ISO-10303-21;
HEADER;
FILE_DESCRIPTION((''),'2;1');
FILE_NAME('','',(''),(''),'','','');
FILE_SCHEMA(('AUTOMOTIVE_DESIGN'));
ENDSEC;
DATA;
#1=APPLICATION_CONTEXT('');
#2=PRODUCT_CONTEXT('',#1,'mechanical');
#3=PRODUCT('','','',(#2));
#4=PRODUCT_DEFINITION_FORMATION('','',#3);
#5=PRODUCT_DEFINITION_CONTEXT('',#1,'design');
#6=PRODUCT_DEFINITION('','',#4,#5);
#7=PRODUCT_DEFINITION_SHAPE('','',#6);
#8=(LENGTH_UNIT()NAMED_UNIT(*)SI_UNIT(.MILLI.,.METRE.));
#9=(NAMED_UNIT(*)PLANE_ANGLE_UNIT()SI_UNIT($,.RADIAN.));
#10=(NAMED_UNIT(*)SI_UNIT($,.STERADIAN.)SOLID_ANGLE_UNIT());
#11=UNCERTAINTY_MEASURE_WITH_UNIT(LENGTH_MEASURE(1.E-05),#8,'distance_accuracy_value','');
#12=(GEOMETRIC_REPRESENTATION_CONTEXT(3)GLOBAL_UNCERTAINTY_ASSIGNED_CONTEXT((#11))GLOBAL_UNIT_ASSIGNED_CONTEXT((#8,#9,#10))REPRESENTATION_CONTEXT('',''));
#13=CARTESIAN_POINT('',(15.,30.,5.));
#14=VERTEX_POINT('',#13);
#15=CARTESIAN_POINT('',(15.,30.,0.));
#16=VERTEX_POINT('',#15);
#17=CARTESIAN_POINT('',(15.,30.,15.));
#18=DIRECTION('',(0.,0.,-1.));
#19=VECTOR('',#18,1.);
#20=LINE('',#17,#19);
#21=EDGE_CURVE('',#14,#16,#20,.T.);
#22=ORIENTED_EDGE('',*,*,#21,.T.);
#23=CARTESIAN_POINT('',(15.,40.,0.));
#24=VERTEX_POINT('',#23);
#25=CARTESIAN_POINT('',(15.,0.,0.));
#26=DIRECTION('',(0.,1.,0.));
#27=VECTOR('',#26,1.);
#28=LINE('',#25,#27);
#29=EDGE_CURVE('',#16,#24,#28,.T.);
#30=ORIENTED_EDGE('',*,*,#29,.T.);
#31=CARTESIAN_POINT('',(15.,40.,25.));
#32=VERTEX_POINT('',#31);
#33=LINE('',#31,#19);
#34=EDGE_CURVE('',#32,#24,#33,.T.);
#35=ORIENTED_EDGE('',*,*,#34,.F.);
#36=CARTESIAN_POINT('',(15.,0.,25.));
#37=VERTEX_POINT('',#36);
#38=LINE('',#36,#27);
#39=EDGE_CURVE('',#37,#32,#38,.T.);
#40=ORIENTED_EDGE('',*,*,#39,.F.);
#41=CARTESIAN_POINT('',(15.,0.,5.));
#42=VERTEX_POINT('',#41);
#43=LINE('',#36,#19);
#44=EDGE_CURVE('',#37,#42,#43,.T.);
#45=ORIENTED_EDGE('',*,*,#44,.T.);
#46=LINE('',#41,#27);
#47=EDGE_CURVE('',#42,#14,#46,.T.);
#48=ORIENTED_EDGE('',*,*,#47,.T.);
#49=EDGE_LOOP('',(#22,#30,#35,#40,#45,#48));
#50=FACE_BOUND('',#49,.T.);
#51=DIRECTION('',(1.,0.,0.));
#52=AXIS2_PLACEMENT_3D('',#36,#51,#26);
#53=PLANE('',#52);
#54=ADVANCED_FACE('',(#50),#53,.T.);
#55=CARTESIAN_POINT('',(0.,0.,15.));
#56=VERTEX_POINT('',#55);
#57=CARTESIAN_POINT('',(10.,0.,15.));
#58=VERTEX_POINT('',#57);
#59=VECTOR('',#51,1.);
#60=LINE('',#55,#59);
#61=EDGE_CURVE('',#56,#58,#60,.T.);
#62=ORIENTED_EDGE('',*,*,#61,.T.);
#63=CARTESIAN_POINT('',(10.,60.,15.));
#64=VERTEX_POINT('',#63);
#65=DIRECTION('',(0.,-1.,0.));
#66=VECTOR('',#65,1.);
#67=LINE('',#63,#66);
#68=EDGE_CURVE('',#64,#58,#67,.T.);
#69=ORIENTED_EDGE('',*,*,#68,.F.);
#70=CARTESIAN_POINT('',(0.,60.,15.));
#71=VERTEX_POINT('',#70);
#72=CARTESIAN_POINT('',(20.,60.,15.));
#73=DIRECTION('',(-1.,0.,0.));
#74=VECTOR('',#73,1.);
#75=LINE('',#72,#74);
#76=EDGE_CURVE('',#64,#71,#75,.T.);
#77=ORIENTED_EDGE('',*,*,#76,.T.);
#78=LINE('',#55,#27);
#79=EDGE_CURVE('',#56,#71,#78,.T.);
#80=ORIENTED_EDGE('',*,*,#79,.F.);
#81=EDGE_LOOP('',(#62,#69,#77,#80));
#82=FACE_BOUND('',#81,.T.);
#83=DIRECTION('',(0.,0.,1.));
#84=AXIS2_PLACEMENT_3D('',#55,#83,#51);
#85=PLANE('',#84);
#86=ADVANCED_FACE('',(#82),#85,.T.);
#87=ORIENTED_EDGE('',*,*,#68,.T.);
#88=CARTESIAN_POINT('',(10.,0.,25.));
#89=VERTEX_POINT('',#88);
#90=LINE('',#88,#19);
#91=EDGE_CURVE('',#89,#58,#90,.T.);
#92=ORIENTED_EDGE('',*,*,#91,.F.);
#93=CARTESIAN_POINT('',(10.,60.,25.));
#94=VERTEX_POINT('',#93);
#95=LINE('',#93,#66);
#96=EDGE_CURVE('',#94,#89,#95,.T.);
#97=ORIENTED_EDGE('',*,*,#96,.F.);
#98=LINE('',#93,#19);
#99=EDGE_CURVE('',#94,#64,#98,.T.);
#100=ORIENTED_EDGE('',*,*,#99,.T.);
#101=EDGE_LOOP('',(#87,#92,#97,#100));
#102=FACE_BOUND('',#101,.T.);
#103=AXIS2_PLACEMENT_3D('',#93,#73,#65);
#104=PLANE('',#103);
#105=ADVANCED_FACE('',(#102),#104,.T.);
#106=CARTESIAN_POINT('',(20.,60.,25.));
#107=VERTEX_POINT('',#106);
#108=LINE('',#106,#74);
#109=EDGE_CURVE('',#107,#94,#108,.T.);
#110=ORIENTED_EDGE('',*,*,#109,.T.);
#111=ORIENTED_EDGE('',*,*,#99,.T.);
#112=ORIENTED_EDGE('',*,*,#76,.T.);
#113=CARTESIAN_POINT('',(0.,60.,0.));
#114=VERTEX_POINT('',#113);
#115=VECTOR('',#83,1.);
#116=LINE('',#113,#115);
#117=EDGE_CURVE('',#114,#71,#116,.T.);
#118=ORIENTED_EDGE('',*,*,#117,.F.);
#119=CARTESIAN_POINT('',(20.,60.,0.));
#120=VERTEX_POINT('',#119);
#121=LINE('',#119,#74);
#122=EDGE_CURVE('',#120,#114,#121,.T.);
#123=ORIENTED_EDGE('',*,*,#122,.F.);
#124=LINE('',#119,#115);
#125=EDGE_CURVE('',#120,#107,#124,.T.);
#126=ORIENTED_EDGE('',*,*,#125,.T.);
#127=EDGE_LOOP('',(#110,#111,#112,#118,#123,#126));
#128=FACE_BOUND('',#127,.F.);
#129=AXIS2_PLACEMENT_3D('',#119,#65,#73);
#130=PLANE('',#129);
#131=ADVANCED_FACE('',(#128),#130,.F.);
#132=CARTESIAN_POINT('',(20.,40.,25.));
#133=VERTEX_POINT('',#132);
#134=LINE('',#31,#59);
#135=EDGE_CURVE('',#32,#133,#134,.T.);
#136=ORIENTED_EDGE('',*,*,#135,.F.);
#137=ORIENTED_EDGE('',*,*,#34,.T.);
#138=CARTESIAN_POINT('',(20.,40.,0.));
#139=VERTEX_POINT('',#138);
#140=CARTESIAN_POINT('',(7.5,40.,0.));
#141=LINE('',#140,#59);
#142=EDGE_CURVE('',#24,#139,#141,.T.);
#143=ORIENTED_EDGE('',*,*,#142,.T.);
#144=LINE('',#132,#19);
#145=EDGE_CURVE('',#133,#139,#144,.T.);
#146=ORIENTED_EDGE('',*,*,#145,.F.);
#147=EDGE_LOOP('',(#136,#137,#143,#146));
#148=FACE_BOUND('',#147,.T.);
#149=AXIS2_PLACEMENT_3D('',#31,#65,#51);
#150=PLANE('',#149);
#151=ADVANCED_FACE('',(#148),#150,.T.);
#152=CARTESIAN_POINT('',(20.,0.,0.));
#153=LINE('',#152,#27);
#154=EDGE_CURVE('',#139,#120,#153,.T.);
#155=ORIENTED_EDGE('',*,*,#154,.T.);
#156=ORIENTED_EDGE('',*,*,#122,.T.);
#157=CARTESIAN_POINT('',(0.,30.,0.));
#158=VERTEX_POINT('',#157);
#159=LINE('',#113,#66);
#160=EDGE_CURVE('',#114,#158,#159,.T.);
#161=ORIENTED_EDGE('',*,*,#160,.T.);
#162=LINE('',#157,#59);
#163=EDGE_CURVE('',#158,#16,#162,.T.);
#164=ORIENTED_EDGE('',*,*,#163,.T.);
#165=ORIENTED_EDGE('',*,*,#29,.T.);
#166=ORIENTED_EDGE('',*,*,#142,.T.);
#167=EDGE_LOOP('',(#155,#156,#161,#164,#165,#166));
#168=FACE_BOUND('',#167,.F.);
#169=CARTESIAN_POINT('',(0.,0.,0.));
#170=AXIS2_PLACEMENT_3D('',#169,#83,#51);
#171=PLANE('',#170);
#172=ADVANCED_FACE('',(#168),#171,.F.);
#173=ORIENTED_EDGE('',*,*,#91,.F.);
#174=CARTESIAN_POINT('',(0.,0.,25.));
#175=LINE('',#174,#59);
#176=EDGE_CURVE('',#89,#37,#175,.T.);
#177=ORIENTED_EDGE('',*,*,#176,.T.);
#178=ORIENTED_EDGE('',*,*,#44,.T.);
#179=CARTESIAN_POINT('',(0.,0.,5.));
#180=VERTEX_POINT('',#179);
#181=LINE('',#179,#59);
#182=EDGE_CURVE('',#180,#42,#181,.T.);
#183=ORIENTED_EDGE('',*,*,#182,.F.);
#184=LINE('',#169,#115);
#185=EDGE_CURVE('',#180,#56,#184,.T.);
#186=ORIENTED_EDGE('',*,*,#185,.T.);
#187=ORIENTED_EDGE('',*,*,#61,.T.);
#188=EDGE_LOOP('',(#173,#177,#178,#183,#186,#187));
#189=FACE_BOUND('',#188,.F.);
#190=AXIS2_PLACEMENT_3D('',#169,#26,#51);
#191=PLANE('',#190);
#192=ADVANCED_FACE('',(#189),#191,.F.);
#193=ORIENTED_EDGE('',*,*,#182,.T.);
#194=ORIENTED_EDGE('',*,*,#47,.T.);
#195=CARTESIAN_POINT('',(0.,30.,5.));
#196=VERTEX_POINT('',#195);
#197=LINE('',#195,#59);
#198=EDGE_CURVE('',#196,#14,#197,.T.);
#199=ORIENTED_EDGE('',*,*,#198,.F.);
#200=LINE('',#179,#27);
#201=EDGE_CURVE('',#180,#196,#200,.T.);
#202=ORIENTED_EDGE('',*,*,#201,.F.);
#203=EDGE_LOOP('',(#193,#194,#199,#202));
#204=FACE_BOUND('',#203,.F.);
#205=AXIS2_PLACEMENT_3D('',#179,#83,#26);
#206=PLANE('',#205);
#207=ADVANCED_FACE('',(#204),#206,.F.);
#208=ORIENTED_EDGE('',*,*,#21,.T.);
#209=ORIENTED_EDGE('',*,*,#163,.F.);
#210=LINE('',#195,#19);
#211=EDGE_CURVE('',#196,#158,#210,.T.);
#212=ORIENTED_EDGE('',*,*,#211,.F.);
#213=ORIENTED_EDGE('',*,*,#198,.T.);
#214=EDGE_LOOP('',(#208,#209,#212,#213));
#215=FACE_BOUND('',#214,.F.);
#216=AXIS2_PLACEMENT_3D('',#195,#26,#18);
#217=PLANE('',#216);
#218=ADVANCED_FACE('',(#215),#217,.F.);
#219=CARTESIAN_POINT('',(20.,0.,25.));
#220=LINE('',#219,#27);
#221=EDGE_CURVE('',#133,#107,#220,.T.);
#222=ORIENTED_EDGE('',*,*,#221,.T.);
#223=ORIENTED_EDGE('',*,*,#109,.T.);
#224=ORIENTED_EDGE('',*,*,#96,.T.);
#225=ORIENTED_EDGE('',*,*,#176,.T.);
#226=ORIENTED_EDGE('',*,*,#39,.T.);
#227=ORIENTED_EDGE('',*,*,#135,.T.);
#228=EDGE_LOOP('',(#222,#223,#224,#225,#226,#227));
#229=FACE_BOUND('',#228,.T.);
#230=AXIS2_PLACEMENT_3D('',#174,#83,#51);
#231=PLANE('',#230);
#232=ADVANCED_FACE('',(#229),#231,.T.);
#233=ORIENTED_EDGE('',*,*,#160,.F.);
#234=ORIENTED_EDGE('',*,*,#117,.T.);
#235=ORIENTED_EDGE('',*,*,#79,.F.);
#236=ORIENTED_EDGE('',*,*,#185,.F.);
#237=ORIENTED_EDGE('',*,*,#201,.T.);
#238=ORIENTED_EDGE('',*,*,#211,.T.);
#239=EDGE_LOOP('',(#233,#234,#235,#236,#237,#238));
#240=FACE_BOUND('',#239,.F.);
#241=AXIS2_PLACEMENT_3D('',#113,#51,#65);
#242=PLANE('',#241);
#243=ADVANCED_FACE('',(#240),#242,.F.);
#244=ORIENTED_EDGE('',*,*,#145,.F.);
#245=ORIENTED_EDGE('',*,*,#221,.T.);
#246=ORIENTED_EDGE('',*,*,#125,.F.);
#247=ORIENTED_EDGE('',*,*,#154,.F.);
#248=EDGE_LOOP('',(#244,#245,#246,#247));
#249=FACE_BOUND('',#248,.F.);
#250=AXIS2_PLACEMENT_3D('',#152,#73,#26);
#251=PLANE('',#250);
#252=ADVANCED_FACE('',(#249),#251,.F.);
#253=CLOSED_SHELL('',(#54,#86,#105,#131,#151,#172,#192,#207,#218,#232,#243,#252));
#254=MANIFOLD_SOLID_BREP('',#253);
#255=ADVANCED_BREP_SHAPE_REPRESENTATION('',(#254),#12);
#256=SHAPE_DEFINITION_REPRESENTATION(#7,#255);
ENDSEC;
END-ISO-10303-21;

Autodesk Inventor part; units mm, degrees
ref_plane "YZ Plane" through (0, 0, 0) normal (1, 0, 0) x (0, 1, 0)
ref_plane "XZ Plane" through (0, 0, 0) normal (0, 1, 0) x (-1, 0, 0)
ref_plane "XY Plane" through (0, 0, 0) normal (0, 0, 1) x (1, 0, 0)
sketch "Náčrt1" plane through (0, 0, 0) normal (0, 0, 1) x (1, 0, 0)
  line L0 (0, 0) -> (20, 0)
  line L1 (20, 0) -> (20, 60)
  line L2 (20, 60) -> (0, 60)
  line L3 (0, 60) -> (0, 0)
  dimension "d0" = 20
  dimension "d1" = 60
extrude "Vysunutí1" add sketch "Náčrt1" along normal blind 25
sketch "Náčrt2" plane through (0, 0, 25) normal (0, 0, 1) x (1, 0, 0)
  line L0 (20, 60) -> (0, 60) projected
  line L1 (0, 0) -> (20, 0) projected
  line L2 (0, 60) -> (10, 60)
  line L3 (10, 60) -> (10, 0)
  line L4 (10, 0) -> (0, 0)
  line L5 (0, 0) -> (0, 60)
  dimension "d4" = 10
extrude "Vysunutí2" cut sketch "Náčrt2" against normal blind 10
sketch "Náčrt3" plane through (0, 0, 0) normal (-1, 0, 0) x (0, 0, 1)
  line L0 (0, 0) -> (25, 0) projected
  line L1 (0, 0) -> (5, 0)
  line L2 (5, 0) -> (5, 30)
  line L3 (5, 30) -> (0, 30)
  line L4 (0, 30) -> (0, 0)
  dimension "d7" = 5
  dimension "d8" = 30
extrude "Vysunutí3" cut sketch "Náčrt3" against normal through all
sketch "Náčrt4" plane through (0, 0, 25) normal (0, 0, 1) x (1, 0, 0)
  line L0 (20, 0) -> (20, 60) projected
  line L1 (20, 0) -> (15, 0)
  line L2 (15, 0) -> (15, 40)
  line L3 (15, 40) -> (20, 40)
  line L4 (20, 40) -> (20, 0)
  point P0 (0, 0)
  dimension "d11" = 5
  dimension "d12" = 40
extrude "Vysunutí4" cut sketch "Náčrt4" against normal through all
properties part number "Součást3"
